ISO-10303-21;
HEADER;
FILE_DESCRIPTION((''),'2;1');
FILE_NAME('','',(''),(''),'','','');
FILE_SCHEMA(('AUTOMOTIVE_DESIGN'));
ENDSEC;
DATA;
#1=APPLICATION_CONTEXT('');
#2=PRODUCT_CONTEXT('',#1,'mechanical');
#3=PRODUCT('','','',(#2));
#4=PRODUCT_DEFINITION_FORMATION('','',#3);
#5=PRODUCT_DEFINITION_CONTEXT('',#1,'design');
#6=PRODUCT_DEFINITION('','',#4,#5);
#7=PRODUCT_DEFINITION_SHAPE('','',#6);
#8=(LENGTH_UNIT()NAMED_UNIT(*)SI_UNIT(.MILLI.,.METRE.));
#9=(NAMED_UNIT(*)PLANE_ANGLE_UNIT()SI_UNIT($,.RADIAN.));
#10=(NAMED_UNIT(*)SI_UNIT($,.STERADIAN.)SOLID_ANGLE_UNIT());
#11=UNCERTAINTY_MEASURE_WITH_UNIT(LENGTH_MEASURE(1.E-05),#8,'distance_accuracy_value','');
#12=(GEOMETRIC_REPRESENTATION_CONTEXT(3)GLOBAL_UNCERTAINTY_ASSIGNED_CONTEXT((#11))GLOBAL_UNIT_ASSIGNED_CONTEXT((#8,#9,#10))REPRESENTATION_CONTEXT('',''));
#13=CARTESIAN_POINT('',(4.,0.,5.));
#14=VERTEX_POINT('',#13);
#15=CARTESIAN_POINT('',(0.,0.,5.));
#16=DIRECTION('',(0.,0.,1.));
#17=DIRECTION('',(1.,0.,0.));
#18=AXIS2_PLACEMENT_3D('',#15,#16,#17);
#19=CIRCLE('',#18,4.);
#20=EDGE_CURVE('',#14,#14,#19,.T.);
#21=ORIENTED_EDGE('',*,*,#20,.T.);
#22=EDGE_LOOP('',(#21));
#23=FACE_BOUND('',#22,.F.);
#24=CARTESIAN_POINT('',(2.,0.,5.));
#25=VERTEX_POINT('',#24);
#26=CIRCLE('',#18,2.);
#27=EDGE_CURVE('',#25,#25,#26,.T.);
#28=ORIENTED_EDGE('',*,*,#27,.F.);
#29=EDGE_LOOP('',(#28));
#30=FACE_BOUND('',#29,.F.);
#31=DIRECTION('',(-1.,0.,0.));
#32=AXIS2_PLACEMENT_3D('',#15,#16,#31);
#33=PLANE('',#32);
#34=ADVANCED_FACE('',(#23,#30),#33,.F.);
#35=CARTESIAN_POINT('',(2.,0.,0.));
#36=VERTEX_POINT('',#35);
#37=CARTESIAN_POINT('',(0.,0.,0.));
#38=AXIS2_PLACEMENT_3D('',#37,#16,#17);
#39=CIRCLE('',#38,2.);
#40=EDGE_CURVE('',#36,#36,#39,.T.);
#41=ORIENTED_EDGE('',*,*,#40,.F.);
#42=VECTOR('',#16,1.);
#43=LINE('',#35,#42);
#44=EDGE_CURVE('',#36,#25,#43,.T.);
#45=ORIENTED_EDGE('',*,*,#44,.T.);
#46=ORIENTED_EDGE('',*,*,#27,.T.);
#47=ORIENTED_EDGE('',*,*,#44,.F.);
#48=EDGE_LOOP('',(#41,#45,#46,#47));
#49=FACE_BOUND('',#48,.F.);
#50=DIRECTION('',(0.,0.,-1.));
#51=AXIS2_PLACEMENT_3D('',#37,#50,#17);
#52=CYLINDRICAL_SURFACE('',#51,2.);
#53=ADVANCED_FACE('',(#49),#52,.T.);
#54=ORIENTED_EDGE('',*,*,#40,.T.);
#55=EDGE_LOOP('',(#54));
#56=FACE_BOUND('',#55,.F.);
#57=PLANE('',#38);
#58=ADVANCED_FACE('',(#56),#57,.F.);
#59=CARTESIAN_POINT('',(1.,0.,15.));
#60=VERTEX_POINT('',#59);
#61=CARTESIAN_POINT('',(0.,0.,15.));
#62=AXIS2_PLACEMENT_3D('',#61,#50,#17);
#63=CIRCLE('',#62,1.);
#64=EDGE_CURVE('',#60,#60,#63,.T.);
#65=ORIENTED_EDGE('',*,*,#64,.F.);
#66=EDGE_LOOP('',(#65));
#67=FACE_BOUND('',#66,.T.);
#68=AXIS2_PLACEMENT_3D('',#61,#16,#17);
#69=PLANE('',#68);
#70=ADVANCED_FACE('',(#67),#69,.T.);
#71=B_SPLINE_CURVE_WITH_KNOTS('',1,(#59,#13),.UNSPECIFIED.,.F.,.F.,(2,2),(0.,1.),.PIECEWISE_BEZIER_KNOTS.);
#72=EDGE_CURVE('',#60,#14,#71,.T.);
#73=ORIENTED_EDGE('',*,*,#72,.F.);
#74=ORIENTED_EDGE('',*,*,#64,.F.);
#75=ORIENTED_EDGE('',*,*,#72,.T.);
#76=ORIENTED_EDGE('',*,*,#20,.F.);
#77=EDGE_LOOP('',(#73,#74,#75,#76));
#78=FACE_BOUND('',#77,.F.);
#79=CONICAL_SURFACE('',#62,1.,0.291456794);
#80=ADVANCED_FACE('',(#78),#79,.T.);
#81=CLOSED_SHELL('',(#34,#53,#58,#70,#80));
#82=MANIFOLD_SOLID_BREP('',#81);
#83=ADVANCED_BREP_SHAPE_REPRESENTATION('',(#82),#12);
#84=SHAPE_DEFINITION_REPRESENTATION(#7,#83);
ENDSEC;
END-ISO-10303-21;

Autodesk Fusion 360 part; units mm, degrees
sketch "Sketch1" plane through (0, 0, 0) normal (0, 0, 1) x (1, 0, 0)
  circle A0 centre (0, 0) radius 2
  circle A1 centre (0, 0) radius 4
  circle A2 centre (0, 0) radius 1
  dimension "d1" = 4
  dimension "d2" = 8
  dimension "d8" = 2
extrude "Extrude4" add sketch "Sketch1" along normal blind 5 contours A0 | A2
sketch "Sketch2" plane through (0, 0, 5) normal (0, 0, 1) x (-1, 0, 0)
  circle A0 centre (0, 0) radius 2
  circle A1 centre (0, 0) radius 4
  dimension "d13" = 8
sketch "Sketch3" plane through (0, 0, 5) normal (0, 0, 1) x (1, 0, 0)
sketch "Sketch4" plane through (0, 0, 5) normal (0, 0, 1) x (1, 0, 0)
ref_plane "WorkPlane1" through (0, 0, 15) normal (0, 0, 1) x (-1, 0, 0)
sketch "Sketch5" plane through (0, 0, 15) normal (0, 0, 1) x (1, 0, 0)
  circle A0 centre (0, 0) radius 1
  dimension "d16" = 2
loft "Loft1" add profiles "Sketch5", "Sketch2" section 1 section 2
